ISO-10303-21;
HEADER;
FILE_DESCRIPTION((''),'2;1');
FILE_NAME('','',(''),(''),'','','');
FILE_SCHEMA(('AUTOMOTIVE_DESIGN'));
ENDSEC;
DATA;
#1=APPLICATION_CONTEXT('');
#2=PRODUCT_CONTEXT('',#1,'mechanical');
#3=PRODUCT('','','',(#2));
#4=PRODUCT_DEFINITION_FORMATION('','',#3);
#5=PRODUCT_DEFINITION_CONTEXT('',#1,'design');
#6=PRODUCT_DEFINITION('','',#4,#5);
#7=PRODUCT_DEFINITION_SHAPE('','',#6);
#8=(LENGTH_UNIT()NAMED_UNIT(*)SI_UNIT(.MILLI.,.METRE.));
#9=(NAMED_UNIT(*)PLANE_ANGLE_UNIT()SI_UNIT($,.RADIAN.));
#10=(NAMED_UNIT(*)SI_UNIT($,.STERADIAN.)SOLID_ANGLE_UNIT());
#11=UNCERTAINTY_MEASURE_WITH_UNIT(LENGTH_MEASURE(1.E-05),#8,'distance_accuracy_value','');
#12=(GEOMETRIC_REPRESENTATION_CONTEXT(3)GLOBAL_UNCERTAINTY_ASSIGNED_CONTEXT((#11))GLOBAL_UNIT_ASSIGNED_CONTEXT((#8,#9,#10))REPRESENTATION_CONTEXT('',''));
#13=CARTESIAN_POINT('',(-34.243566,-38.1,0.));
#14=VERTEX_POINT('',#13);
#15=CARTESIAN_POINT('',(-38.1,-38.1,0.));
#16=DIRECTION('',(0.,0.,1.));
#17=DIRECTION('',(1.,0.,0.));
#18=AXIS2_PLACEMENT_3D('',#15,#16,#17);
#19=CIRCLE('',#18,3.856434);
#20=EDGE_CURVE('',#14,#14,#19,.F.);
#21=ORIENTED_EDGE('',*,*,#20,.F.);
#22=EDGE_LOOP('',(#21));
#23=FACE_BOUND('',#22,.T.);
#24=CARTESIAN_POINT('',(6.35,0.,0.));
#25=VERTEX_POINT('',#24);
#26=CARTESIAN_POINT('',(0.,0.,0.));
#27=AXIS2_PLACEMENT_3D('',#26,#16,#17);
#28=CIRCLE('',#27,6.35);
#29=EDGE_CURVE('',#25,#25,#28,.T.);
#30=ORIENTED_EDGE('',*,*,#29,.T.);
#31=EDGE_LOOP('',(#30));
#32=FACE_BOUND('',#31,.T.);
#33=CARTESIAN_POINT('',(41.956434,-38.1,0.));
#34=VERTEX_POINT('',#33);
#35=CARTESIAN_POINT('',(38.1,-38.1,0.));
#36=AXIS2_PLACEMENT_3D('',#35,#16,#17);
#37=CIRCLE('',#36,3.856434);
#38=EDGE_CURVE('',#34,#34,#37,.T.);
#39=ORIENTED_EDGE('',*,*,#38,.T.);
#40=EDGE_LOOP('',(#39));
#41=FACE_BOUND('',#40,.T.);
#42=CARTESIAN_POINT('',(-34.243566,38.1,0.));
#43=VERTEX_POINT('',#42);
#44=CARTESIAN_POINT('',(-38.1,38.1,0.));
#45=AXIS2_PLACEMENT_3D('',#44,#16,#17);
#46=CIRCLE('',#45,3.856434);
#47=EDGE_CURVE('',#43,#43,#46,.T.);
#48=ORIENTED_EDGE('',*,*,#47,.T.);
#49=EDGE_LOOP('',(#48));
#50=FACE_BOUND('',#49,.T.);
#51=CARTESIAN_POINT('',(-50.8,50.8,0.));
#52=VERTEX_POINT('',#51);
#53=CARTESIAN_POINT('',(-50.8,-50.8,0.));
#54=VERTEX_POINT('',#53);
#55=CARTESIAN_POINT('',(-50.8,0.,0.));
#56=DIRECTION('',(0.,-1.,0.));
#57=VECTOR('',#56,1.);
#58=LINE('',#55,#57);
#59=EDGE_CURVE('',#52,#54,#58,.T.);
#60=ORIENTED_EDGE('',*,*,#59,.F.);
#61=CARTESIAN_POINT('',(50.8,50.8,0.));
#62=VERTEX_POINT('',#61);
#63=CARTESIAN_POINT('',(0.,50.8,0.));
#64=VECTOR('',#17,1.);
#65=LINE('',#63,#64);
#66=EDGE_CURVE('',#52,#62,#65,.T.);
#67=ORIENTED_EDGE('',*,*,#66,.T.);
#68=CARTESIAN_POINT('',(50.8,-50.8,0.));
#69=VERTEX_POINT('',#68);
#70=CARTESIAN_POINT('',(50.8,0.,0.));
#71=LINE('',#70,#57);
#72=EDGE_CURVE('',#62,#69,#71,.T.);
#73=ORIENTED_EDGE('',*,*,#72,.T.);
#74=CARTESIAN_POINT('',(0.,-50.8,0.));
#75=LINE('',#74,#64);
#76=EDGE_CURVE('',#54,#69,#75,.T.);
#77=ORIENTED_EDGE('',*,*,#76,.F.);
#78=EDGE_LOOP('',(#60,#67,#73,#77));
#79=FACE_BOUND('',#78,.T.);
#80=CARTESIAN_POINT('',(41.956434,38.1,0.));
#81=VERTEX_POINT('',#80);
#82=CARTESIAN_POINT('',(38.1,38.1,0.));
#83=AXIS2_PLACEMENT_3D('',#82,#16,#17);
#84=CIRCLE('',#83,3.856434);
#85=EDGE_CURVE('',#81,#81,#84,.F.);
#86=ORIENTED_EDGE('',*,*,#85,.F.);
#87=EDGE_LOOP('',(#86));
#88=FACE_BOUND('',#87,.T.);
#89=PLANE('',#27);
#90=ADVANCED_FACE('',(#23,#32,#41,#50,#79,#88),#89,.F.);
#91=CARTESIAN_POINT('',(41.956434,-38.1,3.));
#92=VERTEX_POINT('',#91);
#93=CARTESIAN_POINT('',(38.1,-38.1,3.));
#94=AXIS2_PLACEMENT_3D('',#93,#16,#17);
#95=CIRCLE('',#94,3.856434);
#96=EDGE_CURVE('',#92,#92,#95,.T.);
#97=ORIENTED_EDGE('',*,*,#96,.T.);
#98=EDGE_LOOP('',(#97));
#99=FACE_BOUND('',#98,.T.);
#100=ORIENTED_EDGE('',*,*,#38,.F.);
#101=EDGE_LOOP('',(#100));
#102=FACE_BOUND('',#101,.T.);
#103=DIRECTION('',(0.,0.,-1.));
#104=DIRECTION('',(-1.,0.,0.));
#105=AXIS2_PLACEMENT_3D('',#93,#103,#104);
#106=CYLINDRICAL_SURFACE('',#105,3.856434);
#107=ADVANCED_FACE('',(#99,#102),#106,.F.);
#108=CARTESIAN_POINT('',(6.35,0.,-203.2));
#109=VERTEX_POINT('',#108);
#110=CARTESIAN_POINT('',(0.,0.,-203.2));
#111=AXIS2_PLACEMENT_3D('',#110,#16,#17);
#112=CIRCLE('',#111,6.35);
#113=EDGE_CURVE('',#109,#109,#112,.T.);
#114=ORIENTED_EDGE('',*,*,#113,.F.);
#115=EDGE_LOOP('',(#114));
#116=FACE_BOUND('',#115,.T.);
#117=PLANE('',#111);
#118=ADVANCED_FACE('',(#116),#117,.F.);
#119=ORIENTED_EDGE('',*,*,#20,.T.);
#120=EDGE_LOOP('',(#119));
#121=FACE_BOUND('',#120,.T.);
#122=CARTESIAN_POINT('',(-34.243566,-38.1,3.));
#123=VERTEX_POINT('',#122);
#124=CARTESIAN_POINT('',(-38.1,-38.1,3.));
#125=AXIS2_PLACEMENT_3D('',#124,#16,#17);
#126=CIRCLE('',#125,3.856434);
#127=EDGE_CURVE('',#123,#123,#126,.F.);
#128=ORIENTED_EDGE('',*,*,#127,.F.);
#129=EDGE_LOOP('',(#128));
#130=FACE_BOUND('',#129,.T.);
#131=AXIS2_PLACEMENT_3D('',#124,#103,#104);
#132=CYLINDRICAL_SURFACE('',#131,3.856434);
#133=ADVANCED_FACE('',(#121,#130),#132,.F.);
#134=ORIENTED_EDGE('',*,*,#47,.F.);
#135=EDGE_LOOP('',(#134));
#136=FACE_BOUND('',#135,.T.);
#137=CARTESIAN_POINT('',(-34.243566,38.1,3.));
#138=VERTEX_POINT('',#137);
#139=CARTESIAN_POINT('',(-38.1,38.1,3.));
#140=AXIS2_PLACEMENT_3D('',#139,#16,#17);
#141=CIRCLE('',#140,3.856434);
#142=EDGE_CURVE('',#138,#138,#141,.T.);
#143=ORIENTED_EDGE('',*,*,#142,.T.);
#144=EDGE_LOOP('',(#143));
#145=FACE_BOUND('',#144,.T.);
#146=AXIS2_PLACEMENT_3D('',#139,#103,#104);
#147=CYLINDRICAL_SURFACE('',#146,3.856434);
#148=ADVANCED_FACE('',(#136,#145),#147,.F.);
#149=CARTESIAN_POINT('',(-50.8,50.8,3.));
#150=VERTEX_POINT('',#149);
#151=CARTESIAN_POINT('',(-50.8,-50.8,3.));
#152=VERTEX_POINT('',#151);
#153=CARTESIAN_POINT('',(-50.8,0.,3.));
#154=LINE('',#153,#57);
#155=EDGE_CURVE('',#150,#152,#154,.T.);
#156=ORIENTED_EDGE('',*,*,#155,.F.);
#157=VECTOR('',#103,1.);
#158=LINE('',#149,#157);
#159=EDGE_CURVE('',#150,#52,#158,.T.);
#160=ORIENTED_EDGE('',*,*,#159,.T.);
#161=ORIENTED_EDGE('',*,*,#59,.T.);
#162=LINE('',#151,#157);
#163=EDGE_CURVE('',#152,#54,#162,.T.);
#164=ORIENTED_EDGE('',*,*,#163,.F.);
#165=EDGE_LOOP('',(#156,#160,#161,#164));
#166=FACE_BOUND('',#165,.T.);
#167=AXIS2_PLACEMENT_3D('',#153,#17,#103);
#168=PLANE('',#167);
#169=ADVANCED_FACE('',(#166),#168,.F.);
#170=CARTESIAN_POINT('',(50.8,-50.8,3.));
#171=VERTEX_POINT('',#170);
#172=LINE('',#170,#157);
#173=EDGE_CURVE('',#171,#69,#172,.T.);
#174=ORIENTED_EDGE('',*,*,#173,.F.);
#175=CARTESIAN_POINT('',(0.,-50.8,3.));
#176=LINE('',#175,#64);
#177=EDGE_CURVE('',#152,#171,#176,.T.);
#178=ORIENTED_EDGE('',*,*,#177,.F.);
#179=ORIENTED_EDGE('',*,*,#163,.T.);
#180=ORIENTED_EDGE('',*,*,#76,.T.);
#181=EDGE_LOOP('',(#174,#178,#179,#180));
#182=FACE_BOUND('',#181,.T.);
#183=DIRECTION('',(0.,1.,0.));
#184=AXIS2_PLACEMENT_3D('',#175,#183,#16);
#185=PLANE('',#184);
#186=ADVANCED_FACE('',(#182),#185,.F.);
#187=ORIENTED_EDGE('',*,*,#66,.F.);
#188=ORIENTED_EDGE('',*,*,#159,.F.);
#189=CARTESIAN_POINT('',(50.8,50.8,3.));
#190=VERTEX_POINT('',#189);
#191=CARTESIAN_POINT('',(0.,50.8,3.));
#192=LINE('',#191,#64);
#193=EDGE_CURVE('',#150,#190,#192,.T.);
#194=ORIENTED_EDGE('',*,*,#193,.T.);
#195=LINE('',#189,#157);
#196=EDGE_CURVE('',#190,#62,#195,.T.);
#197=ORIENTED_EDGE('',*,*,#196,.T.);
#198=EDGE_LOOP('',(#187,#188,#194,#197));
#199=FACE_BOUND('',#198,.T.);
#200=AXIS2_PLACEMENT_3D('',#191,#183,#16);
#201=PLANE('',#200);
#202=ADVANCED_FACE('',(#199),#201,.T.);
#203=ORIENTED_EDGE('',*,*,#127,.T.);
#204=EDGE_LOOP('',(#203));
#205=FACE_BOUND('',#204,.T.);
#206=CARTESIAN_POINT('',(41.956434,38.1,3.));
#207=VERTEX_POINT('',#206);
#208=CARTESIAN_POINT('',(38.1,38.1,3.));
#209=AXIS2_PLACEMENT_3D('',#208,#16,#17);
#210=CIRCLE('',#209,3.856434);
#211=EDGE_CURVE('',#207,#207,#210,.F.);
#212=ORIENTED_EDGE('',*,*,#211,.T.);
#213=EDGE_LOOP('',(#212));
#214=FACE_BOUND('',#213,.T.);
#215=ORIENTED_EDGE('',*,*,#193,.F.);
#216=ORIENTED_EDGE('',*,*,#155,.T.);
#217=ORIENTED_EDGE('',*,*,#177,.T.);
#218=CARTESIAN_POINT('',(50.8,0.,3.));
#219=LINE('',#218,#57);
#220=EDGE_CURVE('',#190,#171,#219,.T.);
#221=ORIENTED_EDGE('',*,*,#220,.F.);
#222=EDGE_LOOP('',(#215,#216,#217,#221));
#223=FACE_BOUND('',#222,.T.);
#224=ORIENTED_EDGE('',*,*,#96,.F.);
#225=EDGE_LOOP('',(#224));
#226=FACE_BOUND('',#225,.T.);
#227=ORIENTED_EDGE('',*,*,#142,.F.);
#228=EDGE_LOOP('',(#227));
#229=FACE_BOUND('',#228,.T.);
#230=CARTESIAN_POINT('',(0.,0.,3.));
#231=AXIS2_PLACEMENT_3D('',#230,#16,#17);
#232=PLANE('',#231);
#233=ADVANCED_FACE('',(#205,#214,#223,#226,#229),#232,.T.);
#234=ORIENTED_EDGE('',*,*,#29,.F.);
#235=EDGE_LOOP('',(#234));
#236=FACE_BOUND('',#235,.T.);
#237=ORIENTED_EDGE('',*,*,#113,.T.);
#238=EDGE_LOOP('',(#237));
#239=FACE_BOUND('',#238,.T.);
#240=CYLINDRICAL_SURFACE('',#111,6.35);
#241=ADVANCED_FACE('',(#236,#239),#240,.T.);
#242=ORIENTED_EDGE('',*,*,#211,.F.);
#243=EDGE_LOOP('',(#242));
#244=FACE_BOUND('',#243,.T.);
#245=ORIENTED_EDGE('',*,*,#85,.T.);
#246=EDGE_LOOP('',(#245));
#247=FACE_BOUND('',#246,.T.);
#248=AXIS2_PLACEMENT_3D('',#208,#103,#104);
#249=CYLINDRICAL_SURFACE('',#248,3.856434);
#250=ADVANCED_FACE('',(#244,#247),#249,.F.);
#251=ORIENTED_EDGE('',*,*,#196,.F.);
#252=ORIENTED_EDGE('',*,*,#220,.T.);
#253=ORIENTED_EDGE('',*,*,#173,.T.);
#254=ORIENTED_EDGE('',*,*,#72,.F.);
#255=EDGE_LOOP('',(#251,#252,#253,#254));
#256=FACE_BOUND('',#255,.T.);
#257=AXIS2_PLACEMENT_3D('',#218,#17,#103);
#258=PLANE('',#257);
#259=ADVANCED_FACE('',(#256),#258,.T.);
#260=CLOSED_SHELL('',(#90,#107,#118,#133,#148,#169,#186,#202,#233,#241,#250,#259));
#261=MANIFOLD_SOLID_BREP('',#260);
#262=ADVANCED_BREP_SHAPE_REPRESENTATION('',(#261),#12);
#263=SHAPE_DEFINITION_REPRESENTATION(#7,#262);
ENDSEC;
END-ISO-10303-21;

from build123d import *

# Parameters (mm, degrees)
SKETCH1_W           = 101.6
SKETCH1_H           = 101.6
SKETCH1_R           = 3.856433765
BOSS_EXTRUDE1_DEPTH = 3
SKETCH1_4_R         = 6.35
BOSS_EXTRUDE2_DEPTH = 203.2


with BuildPart() as part:
    # Sketch1 → Boss-Extrude1 (new body)
    with BuildSketch(Plane.XY):
        Rectangle(SKETCH1_W, SKETCH1_H)
        with Locations((-38.1, -38.1)):
            Circle(SKETCH1_R, mode=Mode.SUBTRACT)
        with Locations((38.1, -38.1)):
            Circle(SKETCH1_R, mode=Mode.SUBTRACT)
        with Locations((-38.1, 38.1)):
            Circle(SKETCH1_R, mode=Mode.SUBTRACT)
        with Locations((38.1, 38.1)):
            Circle(SKETCH1_R, mode=Mode.SUBTRACT)
    extrude(amount=BOSS_EXTRUDE1_DEPTH)

    # Sketch1<4> → Boss-Extrude2 (add)
    with BuildSketch(Plane.XY):
        Circle(SKETCH1_4_R)
    extrude(amount=-BOSS_EXTRUDE2_DEPTH)


solid = part.part
